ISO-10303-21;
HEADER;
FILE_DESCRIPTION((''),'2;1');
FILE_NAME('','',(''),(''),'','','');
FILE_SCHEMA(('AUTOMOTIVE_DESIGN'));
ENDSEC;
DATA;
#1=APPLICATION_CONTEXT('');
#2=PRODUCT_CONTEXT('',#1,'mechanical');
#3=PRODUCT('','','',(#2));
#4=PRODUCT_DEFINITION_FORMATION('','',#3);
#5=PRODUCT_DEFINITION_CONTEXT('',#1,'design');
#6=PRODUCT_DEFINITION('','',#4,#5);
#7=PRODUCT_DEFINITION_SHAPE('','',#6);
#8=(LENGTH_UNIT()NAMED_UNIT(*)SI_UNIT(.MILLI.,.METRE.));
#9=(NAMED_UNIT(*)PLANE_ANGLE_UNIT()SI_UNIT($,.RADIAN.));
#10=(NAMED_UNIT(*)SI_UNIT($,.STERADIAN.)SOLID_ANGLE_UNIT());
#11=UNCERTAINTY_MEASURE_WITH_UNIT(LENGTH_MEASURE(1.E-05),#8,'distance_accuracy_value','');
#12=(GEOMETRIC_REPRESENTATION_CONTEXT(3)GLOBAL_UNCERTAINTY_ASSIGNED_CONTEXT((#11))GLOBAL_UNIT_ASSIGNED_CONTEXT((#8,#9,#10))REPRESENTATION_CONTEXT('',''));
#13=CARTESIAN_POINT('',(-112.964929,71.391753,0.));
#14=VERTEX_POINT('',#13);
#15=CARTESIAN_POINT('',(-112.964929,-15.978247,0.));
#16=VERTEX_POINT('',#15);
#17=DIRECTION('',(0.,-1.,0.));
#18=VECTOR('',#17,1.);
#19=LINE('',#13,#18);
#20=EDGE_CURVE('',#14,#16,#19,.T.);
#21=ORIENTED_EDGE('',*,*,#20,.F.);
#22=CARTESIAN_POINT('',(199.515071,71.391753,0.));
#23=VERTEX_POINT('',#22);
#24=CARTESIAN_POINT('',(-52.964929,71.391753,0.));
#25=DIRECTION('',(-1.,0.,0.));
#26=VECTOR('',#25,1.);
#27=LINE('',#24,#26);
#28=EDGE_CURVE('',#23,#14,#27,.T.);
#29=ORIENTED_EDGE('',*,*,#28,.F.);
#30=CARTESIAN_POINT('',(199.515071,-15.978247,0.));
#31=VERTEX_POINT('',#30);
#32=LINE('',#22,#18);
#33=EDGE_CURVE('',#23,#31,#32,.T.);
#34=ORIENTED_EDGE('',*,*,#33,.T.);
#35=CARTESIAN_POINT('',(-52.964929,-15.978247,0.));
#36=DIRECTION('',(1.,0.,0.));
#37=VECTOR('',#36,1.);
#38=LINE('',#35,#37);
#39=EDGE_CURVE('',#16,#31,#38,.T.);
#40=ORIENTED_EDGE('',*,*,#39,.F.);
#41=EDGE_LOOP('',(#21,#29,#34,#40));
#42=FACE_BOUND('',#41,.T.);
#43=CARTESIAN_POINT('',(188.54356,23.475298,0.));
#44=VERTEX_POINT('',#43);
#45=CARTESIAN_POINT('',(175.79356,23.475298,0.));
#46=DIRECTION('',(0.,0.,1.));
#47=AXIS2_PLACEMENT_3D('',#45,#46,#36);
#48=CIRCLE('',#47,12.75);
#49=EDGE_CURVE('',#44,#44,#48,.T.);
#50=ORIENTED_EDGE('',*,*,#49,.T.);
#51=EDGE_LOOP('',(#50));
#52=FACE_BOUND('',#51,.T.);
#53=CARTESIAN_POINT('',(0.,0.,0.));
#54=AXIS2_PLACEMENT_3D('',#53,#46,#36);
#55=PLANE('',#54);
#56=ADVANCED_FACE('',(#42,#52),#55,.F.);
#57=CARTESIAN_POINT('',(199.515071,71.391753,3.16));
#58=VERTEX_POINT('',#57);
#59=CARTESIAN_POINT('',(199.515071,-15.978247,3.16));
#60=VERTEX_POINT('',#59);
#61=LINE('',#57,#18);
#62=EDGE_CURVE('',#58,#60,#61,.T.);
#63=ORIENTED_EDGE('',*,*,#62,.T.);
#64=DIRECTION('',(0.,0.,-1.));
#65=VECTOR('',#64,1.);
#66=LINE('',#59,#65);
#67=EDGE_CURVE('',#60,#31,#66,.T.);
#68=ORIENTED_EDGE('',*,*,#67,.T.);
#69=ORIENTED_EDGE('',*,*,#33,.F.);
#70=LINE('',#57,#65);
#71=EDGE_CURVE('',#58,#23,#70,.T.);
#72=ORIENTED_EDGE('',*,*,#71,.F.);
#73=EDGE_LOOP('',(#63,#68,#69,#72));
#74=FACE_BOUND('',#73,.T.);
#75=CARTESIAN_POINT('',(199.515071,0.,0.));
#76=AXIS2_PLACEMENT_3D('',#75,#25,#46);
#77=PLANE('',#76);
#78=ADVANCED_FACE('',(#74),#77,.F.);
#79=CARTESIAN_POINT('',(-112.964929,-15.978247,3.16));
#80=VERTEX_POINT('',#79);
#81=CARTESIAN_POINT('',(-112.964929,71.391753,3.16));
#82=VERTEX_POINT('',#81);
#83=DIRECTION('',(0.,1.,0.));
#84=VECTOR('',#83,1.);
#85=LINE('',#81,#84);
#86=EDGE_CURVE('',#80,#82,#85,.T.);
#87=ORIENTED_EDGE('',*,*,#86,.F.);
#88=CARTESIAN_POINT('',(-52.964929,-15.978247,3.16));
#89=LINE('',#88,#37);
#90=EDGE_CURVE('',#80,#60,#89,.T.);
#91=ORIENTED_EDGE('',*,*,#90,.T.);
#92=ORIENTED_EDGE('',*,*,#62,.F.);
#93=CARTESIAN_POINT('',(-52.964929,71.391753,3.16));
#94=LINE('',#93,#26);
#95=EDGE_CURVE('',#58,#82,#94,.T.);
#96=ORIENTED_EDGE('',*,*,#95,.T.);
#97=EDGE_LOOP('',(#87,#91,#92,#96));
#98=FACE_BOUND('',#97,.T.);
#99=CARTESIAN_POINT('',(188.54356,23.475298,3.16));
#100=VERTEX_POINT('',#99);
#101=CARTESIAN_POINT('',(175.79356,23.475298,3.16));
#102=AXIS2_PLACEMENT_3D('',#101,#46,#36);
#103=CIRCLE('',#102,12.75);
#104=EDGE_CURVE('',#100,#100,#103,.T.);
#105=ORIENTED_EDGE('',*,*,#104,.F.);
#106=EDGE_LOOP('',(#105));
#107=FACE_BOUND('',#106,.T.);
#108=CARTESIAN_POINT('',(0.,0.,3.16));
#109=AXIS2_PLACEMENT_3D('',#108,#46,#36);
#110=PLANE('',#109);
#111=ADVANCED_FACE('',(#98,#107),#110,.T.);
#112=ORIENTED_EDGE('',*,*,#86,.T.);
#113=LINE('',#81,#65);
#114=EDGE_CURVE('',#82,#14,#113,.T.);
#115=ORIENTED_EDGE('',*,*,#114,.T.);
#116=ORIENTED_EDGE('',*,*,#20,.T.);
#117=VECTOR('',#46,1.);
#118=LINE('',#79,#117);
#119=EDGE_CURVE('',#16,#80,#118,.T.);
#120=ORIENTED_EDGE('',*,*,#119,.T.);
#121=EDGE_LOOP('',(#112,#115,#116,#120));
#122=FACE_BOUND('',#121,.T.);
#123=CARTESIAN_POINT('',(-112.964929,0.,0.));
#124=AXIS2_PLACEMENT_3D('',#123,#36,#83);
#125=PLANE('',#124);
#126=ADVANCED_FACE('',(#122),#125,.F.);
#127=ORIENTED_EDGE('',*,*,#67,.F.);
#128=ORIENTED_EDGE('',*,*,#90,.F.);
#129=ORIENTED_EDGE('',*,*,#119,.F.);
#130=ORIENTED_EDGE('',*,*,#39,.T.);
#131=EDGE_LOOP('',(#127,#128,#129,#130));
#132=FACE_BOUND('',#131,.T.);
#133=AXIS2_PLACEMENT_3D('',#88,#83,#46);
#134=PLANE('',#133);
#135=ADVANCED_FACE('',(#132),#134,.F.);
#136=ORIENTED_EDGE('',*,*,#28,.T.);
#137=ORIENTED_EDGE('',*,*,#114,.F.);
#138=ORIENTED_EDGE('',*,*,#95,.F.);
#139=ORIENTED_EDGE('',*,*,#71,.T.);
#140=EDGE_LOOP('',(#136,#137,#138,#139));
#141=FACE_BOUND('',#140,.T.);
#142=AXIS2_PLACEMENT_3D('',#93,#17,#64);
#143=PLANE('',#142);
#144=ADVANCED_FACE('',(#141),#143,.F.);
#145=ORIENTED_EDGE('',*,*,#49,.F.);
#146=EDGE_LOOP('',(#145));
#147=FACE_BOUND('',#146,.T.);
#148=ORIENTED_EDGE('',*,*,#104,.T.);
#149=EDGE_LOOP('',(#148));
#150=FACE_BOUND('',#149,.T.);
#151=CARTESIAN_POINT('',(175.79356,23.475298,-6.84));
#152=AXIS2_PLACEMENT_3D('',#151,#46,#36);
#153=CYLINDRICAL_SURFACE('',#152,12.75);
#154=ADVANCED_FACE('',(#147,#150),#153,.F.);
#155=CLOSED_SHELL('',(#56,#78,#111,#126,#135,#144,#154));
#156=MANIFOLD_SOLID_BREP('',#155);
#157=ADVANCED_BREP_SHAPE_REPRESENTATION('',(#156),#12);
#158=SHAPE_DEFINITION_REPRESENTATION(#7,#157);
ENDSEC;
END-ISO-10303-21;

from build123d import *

# Parameters (mm, degrees)
SKETCH2_W           = 77.34
SKETCH2_H           = 87.37
BOSS_EXTRUDE1_DEPTH = 3.16
SKETCH_3_W          = 3.16
SKETCH_3_H          = 87.37
EXTRUDE_3_DEPTH     = 80
SKETCH_4_W          = 3.16
SKETCH_4_H          = 87.37
EXTRUDE_4_DEPTH     = 60
SKETCH_5_W          = 3.16
SKETCH_5_H          = 87.37
EXTRUDE_5_DEPTH     = 113
SKETCH_6_W          = 3.16
SKETCH_6_H          = 87.37
CUT_EXTRUDE_1_DEPTH = 17.86
SKETCH_8_R          = 12.75
CUT_EXTRUDE_2_DEPTH = 10


with BuildPart() as part:
    # Sketch2 → Boss-Extrude1 (new body)
    with BuildSketch(Plane.XY):
        with Locations((-14.294928595, 27.706753385)):
            Rectangle(SKETCH2_W, SKETCH2_H)
    extrude(amount=BOSS_EXTRUDE1_DEPTH)

    # 草图3 → 凸台-拉伸3 (add)
    with BuildSketch(Plane(origin=(24.375071405, 0, 0), x_dir=(0, 0, -1), z_dir=(1, 0, 0))):
        with Locations((-1.58, 27.706753385)):
            Rectangle(SKETCH_3_W, SKETCH_3_H)
    extrude(amount=EXTRUDE_3_DEPTH)

    # 草图4 → 凸台-拉伸4 (add)
    with BuildSketch(Plane.ZY.offset(52.964928595)):
        with Locations((1.58, 27.706753385)):
            Rectangle(SKETCH_4_W, SKETCH_4_H)
    extrude(amount=EXTRUDE_4_DEPTH)

    # 草图5 → 凸台-拉伸5 (add)
    with BuildSketch(Plane(origin=(104.375071405, 0, 0), x_dir=(0, 0, -1), z_dir=(1, 0, 0))):
        with Locations((-1.58, 27.706753385)):
            Rectangle(SKETCH_5_W, SKETCH_5_H)
    extrude(amount=EXTRUDE_5_DEPTH)

    # 草图6 → 切除-拉伸1 (cut)
    with BuildSketch(Plane(origin=(217.375071405, 0, 0), x_dir=(0, 0, -1), z_dir=(1, 0, 0))):
        with Locations((-1.58, 27.706753385)):
            Rectangle(SKETCH_6_W, SKETCH_6_H)
    extrude(amount=-CUT_EXTRUDE_1_DEPTH, mode=Mode.SUBTRACT)

    # 草图8 → 切除-拉伸2 (cut)
    with BuildSketch(Plane.XY.offset(3.16)):
        with Locations((175.79355983, 23.47529756)):
            Circle(SKETCH_8_R)
    extrude(amount=-CUT_EXTRUDE_2_DEPTH, mode=Mode.SUBTRACT)


solid = part.part
